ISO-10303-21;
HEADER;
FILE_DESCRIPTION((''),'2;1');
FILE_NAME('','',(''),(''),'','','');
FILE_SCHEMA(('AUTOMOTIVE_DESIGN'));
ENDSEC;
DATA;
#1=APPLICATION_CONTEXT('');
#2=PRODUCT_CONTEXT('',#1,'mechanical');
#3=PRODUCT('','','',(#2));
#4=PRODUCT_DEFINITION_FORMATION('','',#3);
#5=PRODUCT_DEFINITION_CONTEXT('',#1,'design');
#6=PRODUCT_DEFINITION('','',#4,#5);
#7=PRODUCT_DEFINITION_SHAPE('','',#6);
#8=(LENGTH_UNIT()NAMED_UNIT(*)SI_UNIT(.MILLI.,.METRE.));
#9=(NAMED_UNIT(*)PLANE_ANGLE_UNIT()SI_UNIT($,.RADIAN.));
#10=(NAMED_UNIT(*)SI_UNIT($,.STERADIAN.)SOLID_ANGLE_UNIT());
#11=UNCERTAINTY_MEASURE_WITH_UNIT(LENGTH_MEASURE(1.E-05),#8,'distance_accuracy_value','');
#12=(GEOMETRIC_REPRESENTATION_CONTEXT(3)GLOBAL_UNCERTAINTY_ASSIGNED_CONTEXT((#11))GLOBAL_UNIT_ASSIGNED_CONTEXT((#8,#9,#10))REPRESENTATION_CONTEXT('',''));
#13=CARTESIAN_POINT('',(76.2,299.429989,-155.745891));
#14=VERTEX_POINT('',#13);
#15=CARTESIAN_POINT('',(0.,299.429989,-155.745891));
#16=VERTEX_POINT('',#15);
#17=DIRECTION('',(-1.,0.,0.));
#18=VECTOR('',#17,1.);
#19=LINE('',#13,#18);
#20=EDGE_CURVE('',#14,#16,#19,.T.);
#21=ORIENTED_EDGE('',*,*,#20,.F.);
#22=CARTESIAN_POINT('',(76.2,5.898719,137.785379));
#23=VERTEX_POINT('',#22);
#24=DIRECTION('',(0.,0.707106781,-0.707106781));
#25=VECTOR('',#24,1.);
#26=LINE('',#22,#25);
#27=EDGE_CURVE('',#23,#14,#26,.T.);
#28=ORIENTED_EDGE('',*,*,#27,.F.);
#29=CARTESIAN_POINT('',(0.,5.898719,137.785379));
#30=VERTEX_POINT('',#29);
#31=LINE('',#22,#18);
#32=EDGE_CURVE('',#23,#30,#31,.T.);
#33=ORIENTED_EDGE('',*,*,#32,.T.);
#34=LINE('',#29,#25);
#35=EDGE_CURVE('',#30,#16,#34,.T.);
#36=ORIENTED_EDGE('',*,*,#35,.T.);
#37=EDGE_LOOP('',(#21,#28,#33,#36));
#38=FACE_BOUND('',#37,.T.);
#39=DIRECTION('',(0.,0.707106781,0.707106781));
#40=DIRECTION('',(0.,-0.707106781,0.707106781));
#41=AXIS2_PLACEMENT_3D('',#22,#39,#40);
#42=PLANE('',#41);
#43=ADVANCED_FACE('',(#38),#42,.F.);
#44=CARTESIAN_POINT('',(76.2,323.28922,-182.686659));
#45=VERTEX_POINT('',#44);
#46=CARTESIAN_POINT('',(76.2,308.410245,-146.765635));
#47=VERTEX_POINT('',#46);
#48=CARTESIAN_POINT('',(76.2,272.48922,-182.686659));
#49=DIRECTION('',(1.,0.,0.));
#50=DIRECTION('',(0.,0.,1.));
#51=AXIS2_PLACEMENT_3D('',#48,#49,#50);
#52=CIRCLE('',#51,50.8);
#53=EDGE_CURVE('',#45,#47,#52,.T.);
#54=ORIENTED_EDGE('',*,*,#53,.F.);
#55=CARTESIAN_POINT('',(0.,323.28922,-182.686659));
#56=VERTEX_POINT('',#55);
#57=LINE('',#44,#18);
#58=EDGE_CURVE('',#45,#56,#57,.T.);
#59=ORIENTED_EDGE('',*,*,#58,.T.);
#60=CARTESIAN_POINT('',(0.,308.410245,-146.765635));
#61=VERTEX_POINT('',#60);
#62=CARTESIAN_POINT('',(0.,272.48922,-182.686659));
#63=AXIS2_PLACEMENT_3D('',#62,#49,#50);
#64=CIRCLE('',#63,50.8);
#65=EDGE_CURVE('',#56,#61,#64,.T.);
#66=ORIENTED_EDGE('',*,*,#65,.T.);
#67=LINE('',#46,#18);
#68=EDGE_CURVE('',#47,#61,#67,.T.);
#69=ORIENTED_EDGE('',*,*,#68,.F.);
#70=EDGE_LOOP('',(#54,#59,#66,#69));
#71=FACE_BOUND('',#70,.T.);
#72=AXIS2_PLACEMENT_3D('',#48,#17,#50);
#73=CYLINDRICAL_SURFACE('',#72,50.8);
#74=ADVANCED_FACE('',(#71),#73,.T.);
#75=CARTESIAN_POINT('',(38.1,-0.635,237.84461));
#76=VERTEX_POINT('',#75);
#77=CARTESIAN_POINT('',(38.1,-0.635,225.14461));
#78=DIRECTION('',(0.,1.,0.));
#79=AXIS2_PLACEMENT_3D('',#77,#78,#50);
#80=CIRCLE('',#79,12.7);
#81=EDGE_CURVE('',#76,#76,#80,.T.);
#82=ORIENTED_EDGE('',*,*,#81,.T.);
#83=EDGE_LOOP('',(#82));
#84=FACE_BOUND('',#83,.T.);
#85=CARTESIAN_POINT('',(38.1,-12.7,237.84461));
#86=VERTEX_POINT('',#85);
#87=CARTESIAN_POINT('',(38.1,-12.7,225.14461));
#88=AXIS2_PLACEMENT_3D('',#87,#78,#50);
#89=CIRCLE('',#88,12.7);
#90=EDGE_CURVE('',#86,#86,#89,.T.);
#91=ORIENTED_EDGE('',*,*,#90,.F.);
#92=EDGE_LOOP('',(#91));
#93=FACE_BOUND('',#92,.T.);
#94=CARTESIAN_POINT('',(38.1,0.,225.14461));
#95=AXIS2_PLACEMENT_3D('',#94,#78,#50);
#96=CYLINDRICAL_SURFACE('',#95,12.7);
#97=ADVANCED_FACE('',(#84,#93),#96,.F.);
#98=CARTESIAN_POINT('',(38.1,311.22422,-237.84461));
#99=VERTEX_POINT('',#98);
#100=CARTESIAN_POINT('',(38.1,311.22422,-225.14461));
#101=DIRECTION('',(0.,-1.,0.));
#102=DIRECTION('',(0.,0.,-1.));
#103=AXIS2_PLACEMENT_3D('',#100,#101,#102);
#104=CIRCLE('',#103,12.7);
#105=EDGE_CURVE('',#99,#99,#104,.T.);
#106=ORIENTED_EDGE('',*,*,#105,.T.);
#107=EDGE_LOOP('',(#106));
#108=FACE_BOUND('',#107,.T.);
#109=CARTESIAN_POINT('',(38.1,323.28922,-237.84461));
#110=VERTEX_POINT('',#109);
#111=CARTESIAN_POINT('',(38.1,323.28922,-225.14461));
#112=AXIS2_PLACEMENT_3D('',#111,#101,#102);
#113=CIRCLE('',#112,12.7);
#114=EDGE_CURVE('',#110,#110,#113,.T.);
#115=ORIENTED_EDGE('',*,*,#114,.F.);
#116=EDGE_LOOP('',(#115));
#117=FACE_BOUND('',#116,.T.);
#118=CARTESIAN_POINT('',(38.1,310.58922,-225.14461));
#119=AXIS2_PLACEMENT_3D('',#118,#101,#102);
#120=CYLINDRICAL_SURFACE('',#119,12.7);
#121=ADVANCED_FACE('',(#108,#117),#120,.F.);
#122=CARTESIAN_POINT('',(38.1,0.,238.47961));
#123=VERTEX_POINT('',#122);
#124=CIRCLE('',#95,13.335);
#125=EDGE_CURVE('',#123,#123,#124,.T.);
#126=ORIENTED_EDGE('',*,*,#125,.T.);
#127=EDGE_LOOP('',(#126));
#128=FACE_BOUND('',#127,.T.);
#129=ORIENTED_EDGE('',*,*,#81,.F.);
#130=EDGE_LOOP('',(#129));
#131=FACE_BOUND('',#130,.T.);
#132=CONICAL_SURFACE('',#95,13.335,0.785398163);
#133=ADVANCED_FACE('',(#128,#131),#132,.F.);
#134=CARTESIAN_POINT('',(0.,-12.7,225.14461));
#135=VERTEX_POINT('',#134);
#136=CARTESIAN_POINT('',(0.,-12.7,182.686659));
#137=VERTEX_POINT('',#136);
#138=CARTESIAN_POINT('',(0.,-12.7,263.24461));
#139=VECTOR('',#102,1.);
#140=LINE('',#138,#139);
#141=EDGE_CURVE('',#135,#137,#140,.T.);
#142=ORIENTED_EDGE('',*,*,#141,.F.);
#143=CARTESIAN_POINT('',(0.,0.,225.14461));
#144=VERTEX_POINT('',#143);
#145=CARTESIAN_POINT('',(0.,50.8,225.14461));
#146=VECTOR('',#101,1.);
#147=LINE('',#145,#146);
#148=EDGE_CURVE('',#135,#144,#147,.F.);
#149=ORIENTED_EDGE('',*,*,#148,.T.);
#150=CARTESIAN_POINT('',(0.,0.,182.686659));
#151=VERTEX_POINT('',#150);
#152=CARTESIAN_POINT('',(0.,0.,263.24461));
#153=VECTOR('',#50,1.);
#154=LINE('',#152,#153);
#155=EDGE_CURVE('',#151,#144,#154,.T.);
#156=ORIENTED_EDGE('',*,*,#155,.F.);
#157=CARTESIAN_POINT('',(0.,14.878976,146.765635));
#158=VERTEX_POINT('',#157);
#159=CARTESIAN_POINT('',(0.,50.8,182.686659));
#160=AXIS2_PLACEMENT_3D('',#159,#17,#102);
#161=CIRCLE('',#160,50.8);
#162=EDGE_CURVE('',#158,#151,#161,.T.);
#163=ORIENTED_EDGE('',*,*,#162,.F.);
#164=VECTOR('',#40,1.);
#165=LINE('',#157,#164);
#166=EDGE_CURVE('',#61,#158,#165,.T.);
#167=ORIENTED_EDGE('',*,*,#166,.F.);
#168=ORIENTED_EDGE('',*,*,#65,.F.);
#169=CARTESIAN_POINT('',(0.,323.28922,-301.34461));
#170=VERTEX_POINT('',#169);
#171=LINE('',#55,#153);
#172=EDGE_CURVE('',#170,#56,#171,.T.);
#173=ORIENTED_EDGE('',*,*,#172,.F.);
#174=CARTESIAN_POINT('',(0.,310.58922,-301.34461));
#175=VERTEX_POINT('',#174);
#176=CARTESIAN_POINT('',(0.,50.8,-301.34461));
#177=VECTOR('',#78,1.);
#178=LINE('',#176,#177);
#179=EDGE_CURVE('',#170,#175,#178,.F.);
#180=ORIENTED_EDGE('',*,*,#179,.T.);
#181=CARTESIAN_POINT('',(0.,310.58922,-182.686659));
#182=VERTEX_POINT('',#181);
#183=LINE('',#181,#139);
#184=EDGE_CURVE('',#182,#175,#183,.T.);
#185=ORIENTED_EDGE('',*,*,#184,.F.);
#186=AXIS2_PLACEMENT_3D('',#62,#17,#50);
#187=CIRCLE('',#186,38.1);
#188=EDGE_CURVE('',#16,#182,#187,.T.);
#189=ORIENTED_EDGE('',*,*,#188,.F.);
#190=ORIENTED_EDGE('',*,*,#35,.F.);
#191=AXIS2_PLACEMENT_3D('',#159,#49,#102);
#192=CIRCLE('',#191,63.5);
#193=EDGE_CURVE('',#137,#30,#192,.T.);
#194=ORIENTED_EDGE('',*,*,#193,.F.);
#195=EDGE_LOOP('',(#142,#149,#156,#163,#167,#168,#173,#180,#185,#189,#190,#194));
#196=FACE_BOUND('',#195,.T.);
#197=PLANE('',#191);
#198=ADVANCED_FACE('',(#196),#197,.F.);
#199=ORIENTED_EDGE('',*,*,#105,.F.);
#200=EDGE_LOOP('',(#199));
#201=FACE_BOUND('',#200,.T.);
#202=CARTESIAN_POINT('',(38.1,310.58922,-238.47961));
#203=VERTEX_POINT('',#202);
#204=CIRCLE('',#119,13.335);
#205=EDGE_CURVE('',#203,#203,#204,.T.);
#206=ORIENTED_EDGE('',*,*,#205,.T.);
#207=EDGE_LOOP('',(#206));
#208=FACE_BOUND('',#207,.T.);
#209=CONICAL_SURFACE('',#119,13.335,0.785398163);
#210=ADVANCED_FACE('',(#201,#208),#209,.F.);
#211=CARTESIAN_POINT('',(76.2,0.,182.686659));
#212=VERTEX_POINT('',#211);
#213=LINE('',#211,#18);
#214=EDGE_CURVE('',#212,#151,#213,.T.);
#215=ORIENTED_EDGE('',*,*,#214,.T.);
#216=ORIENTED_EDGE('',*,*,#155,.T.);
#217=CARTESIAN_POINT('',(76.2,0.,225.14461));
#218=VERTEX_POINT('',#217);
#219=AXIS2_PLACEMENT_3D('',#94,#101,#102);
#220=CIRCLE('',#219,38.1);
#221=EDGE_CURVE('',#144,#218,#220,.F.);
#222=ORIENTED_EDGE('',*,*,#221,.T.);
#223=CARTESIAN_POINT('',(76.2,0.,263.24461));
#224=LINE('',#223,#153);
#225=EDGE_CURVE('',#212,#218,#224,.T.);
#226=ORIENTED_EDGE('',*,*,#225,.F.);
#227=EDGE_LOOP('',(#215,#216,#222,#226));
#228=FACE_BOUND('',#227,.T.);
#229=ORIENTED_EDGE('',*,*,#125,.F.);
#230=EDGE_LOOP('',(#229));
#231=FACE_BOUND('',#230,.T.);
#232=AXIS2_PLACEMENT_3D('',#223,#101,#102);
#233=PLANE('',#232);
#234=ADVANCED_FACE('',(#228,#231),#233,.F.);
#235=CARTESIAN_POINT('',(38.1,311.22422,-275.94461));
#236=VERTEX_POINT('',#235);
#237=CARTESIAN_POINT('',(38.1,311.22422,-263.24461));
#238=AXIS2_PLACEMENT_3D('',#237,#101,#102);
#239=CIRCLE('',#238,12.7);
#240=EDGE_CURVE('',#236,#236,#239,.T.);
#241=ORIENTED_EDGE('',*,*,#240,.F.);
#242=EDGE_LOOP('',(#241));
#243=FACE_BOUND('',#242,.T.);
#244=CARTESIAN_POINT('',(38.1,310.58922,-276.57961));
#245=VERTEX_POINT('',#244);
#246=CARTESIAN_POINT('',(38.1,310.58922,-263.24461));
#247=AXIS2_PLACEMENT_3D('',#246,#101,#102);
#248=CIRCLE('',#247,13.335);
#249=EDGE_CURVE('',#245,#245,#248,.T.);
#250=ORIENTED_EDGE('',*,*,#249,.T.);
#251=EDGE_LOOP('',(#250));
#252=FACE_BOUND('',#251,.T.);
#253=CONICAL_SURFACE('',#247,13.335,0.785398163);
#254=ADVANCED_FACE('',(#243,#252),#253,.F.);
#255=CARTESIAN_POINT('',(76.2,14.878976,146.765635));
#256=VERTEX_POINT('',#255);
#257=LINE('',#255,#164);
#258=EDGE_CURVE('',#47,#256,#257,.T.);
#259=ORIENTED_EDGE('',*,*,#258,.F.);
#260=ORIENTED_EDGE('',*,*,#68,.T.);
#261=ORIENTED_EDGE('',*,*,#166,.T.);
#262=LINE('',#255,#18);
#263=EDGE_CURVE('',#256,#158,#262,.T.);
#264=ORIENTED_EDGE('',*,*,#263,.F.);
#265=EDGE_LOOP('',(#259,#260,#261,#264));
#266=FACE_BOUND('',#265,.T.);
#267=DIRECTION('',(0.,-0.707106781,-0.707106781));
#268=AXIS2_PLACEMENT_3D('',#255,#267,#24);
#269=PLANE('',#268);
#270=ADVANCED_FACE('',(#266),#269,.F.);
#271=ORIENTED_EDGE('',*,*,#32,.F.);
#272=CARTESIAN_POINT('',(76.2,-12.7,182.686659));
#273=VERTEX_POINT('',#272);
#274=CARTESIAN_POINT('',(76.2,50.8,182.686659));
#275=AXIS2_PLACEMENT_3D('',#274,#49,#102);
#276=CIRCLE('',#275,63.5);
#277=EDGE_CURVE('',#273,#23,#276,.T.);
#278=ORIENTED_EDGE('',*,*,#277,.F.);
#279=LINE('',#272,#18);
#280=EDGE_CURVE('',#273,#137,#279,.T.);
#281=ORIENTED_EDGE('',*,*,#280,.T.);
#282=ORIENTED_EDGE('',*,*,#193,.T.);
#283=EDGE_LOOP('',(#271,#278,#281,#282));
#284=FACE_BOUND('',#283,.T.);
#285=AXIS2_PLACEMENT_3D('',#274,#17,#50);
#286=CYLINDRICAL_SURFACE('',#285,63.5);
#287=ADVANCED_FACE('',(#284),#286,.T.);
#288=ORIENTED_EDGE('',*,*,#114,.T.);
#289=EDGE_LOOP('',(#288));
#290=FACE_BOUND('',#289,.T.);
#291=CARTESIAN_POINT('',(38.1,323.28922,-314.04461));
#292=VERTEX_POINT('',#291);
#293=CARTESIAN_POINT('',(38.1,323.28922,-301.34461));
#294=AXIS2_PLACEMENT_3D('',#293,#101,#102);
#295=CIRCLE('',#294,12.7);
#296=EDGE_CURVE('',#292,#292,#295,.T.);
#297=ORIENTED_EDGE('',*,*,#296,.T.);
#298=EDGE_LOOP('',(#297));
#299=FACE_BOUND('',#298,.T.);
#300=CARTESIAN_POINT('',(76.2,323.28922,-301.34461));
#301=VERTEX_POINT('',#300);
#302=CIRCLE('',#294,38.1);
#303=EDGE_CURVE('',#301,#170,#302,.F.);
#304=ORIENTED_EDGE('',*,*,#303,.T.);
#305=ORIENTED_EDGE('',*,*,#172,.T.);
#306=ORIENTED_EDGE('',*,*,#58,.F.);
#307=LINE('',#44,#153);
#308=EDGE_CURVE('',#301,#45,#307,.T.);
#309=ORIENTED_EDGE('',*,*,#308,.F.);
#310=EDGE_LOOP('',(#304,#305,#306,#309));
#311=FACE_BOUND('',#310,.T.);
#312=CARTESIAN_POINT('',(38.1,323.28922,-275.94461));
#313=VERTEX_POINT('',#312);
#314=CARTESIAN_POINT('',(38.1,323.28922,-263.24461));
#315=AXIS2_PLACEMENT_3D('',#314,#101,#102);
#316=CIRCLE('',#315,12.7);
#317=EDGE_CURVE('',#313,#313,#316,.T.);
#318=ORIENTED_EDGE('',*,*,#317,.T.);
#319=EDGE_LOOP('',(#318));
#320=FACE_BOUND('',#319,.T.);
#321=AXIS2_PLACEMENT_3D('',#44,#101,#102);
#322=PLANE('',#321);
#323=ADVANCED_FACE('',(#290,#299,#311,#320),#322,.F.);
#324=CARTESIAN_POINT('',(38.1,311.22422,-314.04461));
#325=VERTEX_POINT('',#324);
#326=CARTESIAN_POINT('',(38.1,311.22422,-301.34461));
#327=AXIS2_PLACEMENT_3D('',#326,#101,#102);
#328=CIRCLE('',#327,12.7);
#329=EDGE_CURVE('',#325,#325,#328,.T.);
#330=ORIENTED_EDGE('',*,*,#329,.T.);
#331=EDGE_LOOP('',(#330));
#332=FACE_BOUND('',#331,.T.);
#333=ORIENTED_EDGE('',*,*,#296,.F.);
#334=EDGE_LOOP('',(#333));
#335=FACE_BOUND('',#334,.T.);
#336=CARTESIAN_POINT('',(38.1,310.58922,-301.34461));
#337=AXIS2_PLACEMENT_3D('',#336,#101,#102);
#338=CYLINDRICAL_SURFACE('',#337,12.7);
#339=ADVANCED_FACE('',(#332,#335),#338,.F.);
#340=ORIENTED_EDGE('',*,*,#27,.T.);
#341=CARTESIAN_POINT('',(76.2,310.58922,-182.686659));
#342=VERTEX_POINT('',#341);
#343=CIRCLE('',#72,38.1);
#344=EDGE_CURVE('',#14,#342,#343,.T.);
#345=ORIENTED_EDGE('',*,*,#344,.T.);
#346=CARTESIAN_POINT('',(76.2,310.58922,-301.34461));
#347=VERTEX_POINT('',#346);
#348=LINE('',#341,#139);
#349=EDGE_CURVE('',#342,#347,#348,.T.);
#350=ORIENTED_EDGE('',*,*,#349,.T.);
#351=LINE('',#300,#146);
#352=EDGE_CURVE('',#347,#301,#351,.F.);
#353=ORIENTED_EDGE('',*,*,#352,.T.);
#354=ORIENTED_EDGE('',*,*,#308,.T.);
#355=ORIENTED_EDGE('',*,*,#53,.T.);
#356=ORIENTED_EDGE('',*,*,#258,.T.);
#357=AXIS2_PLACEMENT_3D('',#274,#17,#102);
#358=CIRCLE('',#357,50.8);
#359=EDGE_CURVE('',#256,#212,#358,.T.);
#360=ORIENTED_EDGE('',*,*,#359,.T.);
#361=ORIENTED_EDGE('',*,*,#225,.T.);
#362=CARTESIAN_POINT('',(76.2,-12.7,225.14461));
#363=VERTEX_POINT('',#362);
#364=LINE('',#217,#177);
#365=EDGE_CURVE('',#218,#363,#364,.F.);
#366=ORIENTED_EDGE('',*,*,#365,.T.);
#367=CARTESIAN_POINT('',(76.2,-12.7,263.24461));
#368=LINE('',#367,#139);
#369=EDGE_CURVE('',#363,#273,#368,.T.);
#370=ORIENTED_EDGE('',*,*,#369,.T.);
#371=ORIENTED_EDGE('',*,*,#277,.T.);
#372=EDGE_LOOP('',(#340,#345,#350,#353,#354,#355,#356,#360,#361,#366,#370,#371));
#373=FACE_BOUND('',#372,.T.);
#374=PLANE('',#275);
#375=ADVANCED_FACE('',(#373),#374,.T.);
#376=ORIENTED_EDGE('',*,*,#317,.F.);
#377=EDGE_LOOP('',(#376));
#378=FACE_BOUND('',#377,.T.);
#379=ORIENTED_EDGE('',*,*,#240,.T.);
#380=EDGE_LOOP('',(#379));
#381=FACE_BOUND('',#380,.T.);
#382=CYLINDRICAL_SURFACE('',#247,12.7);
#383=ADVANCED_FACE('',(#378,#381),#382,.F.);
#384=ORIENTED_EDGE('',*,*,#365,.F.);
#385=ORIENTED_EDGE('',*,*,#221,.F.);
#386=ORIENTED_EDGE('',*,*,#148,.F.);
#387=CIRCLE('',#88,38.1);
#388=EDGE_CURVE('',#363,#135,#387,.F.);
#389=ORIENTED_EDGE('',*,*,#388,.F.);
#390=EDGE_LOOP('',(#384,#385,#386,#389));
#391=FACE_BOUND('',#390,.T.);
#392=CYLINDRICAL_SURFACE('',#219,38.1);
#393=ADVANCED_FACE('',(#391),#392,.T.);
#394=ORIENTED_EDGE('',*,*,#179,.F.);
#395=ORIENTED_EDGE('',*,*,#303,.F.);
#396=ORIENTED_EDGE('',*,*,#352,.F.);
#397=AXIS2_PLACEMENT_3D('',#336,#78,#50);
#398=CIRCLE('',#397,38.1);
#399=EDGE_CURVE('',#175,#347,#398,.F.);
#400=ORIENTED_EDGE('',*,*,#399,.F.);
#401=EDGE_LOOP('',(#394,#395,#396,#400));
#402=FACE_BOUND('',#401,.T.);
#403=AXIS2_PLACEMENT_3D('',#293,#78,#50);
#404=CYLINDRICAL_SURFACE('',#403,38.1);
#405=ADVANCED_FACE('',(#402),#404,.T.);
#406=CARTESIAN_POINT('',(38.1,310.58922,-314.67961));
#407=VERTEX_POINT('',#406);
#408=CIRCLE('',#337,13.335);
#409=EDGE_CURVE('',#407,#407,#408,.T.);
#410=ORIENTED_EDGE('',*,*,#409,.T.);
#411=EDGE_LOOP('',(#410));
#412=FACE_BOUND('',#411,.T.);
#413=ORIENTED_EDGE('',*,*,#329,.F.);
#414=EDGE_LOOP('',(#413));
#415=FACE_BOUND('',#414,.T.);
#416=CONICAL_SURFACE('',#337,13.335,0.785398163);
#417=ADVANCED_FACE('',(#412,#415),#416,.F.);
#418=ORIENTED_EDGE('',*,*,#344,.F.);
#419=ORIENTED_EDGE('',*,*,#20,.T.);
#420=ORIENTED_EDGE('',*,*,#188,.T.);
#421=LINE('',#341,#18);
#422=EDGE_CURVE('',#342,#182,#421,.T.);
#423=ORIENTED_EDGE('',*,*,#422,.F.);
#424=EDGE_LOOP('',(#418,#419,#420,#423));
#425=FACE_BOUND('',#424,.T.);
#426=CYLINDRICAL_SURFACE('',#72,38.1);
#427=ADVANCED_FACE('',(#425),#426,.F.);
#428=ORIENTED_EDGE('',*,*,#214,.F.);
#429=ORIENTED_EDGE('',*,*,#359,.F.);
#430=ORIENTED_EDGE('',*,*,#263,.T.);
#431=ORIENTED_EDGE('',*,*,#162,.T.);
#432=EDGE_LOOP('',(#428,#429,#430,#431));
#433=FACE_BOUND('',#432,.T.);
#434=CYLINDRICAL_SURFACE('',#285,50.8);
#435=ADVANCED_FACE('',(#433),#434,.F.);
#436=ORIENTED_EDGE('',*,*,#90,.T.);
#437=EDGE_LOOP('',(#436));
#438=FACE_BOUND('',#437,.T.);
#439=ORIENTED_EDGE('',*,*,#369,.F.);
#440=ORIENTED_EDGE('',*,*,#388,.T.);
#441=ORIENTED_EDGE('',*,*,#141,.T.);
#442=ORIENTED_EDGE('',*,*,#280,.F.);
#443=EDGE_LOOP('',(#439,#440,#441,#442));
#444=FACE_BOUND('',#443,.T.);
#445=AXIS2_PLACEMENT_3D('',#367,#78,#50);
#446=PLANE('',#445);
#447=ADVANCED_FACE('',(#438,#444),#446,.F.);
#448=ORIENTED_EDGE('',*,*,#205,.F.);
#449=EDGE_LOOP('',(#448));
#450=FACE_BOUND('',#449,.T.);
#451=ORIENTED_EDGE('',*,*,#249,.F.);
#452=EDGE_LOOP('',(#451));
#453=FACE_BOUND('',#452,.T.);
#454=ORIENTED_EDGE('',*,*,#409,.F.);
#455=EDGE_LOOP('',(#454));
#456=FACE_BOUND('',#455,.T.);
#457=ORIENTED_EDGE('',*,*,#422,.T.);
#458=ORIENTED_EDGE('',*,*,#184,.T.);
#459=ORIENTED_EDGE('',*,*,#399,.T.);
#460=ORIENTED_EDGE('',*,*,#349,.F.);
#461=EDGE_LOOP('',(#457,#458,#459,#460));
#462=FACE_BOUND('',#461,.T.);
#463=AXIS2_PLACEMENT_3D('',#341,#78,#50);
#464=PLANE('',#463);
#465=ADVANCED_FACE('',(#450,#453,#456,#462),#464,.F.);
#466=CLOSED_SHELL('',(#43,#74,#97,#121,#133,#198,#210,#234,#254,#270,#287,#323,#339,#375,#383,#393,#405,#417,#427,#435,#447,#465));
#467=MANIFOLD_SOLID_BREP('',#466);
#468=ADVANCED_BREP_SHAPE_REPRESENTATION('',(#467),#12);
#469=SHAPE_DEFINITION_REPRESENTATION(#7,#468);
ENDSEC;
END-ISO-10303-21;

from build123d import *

# Parameters (mm, degrees)
BOSS_EXTRUDE1_DEPTH = 76.2
FILLET1_RADIUS      = 38.1
FILLET1_LENGTH      = 12.7
FILLET2_RADIUS      = 38.1
FILLET2_LENGTH      = 12.7
LPATTERN1_COUNT     = 3
LPATTERN1_PITCH     = 38.1


with BuildPart() as part:
    # Sketch2 → Boss-Extrude1 (new body)
    with BuildSketch(Plane(origin=(0, 0, 0), x_dir=(0, 0, -1), z_dir=(1, 0, 0))):
        with BuildLine():
            Line((-263.244610179, 0), (-182.686659148, 0))
            ThreePointArc((-182.686659148, 0), (-163.246340784, 3.866919748), (-146.765634664, 14.878975516))
            Line((-146.765634664, 14.878975516), (146.765634664, 308.410244843))
            ThreePointArc((146.765634664, 308.410244843), (163.246340784, 319.42230061), (182.686659148, 323.289220358))
            Line((182.686659148, 323.289220358), (339.444610179, 323.289220358))
            Line((339.444610179, 323.289220358), (339.444610179, 310.589220358))
            Line((339.444610179, 310.589220358), (182.686659148, 310.589220358))
            ThreePointArc((182.686659148, 310.589220358), (168.106420375, 307.689030547), (155.745890785, 299.429988722))
            Line((155.745890785, 299.429988722), (-137.785378542, 5.898719395))
            ThreePointArc((-137.785378542, 5.898719395), (-158.386261193, -7.866350314), (-182.686659148, -12.7))
            Line((-182.686659148, -12.7), (-263.244610179, -12.7))
            Line((-263.244610179, -12.7), (-263.244610179, 0))
        make_face()
    extrude(amount=BOSS_EXTRUDE1_DEPTH)

    # Fillet1: full round fillet: the end face becomes a half cylinder, R = half its width
    fillet1_face = Plane((38.1, -6.35, 263.244610179), x_dir=(0, -1, 0), z_dir=(0, 0, 1))  # on the end face: x along it, z out of the body
    fillet1_slab = fillet1_face.offset(-FILLET1_RADIUS / 2) * Box(FILLET1_LENGTH, 2 * FILLET1_RADIUS, FILLET1_RADIUS, mode=Mode.PRIVATE)  # the body's end, R deep
    fillet1_round = Plane((38.1, -6.35, 225.144610179), x_dir=(0, 0, 1), z_dir=(0, -1, 0)) * Cylinder(FILLET1_RADIUS, FILLET1_LENGTH, mode=Mode.PRIVATE)  # its axis R under the face
    add(fillet1_slab - fillet1_round, mode=Mode.SUBTRACT)

    # Fillet2: full round fillet: the end face becomes a half cylinder, R = half its width
    fillet2_face = Plane((38.1, 316.939220358, -339.444610179), x_dir=(0, 1, 0), z_dir=(0, 0, -1))  # on the end face: x along it, z out of the body
    fillet2_slab = fillet2_face.offset(-FILLET2_RADIUS / 2) * Box(FILLET2_LENGTH, 2 * FILLET2_RADIUS, FILLET2_RADIUS, mode=Mode.PRIVATE)  # the body's end, R deep
    fillet2_round = Plane((38.1, 316.939220358, -301.344610179), x_dir=(0, 0, -1), z_dir=(0, 1, 0)) * Cylinder(FILLET2_RADIUS, FILLET2_LENGTH, mode=Mode.PRIVATE)  # its axis R under the face
    add(fillet2_slab - fillet2_round, mode=Mode.SUBTRACT)

    # Sketch4 → 1 (1) Diameter Hole1 (revolve, cut)
    with BuildSketch(Plane(origin=(38.1, 0, 225.144610179), x_dir=(0, 0, 1), z_dir=(1, 0, 0))):
        Polygon((0, 0), (0, 12.7), (12.7, 12.7), (12.7, 0.635), (13.335, 0), align=None)
    revolve(axis=Axis((38.1, 6.35, 225.144610179), (0, -1, 0)), mode=Mode.SUBTRACT)

    # Sketch7 → 1 (1) Diameter Hole2 (revolve, cut)
    with BuildSketch(Plane(origin=(38.1, 310.589220358, -301.344610179), x_dir=(0, 0, -1), z_dir=(1, 0, 0))):
        Polygon((0, 0), (0, 12.7), (12.7, 12.7), (12.7, 0.635), (13.335, 0), align=None)
    f_1_1_diameter_hole2 = revolve(axis=Axis((38.1, 304.239220358, -301.344610179), (0, 1, 0)), mode=Mode.SUBTRACT)

    # LPattern1: 1 (1) Diameter Hole2 ×3
    with Locations(*[(0, 0, i * LPATTERN1_PITCH) for i in range(1, LPATTERN1_COUNT)]):
        add(f_1_1_diameter_hole2, mode=Mode.SUBTRACT)


solid = part.part
